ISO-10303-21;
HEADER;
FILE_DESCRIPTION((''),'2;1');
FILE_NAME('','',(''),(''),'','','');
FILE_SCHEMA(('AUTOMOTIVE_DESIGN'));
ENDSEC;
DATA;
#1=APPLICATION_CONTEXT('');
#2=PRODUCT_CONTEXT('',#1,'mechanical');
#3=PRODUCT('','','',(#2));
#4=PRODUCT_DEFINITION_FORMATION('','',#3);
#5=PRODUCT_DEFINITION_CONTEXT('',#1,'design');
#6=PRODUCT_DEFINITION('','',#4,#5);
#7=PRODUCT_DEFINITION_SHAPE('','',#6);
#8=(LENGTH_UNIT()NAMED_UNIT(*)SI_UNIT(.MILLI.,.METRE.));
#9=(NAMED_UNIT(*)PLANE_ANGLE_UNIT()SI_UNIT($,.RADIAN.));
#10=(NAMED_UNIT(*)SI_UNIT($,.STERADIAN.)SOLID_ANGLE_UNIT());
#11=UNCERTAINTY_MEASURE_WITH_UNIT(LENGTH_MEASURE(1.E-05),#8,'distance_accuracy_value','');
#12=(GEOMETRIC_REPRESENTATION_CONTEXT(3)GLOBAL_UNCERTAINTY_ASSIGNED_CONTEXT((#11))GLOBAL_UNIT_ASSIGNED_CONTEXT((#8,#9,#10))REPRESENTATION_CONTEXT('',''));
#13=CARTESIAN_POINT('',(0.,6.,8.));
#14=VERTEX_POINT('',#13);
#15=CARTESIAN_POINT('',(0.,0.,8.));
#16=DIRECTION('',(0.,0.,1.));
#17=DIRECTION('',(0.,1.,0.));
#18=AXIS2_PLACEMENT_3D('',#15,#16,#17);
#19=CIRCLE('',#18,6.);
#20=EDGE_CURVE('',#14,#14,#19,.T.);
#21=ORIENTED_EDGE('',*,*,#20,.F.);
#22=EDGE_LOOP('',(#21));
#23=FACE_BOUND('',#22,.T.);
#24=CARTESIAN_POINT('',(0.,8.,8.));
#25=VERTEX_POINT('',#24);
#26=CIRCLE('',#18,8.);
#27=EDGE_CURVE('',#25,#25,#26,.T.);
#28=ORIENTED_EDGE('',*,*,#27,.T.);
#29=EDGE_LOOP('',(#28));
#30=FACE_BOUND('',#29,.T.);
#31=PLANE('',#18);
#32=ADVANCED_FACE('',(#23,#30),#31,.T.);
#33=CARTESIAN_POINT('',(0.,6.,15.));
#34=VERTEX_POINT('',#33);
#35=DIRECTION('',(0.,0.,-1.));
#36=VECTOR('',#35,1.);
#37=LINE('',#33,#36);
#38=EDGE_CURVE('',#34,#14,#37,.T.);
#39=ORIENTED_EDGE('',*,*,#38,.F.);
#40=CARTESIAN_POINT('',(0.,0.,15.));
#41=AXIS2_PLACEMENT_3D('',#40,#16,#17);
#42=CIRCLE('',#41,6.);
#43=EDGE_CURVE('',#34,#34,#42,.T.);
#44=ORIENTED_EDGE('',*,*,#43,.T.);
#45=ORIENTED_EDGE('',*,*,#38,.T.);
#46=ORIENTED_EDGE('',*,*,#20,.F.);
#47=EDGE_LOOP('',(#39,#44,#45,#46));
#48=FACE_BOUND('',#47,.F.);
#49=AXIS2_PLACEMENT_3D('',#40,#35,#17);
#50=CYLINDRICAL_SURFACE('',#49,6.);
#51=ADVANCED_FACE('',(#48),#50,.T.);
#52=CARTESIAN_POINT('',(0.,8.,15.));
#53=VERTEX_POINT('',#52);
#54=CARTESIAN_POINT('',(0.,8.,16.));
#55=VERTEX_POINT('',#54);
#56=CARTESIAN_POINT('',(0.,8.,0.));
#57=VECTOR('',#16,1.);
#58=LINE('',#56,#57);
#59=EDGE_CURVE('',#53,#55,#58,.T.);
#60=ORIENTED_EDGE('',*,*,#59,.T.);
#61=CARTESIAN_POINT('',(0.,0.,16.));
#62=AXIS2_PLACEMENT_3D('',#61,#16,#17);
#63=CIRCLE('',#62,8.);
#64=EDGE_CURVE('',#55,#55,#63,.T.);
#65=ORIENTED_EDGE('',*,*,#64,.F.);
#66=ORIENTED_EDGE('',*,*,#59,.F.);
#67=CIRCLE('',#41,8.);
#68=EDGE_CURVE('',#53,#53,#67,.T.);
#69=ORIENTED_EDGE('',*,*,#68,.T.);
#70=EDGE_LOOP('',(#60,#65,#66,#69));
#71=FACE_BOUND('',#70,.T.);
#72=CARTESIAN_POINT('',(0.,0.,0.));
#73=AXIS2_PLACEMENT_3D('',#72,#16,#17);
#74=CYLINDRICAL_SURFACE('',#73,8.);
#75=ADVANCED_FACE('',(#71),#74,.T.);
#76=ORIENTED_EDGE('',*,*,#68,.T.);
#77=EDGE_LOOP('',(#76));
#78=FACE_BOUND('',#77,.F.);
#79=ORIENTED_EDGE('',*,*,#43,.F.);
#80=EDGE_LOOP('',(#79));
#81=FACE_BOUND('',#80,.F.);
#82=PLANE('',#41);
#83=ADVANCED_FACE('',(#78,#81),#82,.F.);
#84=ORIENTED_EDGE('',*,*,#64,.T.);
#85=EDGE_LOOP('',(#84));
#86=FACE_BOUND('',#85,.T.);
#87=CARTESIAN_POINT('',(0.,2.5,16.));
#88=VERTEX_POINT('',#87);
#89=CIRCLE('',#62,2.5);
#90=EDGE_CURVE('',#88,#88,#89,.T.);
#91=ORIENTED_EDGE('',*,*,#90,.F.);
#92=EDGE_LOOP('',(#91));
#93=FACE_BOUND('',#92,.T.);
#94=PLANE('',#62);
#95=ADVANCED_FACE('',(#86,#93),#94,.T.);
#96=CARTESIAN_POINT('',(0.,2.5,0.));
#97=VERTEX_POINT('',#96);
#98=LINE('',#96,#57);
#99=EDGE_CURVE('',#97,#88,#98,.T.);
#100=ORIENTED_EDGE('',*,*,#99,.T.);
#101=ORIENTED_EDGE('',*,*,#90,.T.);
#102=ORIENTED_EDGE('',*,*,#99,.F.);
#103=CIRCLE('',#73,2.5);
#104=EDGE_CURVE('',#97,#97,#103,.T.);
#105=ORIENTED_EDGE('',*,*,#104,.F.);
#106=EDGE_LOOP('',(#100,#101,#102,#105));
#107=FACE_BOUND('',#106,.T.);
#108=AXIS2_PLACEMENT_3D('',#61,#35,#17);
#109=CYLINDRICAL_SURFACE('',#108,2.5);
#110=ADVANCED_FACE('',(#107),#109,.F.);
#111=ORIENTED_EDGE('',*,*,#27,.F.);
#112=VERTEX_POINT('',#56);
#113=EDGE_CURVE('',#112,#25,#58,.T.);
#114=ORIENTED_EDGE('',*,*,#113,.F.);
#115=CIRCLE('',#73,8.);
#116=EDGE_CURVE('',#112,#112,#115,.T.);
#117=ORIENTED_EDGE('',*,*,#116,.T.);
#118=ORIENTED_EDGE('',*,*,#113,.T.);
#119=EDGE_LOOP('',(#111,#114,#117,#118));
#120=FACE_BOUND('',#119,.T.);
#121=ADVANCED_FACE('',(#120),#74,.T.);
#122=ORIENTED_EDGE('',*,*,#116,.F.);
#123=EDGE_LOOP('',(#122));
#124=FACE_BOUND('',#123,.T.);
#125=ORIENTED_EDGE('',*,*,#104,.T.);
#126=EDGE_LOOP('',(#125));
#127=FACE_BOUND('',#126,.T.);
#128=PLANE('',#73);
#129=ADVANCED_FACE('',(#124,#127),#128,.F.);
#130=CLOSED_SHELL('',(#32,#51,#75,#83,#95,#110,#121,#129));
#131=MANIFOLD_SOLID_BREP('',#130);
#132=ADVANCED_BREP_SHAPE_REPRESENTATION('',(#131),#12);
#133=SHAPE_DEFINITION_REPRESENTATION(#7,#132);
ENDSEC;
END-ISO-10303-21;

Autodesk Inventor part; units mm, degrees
ref_plane "YZ Plane" through (0, 0, 0) normal (1, 0, 0) x (0, 1, 0)
ref_plane "XZ Plane" through (0, 0, 0) normal (0, 1, 0) x (-1, 0, 0)
ref_plane "XY Plane" through (0, 0, 0) normal (0, 0, 1) x (1, 0, 0)
sketch "Sketch1" plane through (0, 0, 0) normal (1, 0, 0) x (0, 1, 0)
  line L0 (0, 0) -> (8, 0)
  line L1 (8, 0) -> (8, 16)
  line L2 (8, 16) -> (0, 16)
  line L3 (0, 16) -> (0, 0)
  line L4 (8, 15) -> (2.5, 15)
  line L5 (8, 8) -> (2.5, 8)
  line L6 (6, 15) -> (6, 8)
  line L7 (2.5, 16) -> (2.5, 0)
  dimension "d7" = 8
  dimension "d8" = 16
  dimension "d9" = 1
  dimension "d10" = 7
  dimension "d11" = 6
  dimension "d12" = 2.5
revolve "Revolution1" add sketch "Sketch1" angle 360 about axis through (0, 0, 16) along (0, 0, 1) contours L7 L5 L1 L0 | L7 L4 L6 L5 | L2 L1 L4 L7
properties part number "belt_gear_1"
